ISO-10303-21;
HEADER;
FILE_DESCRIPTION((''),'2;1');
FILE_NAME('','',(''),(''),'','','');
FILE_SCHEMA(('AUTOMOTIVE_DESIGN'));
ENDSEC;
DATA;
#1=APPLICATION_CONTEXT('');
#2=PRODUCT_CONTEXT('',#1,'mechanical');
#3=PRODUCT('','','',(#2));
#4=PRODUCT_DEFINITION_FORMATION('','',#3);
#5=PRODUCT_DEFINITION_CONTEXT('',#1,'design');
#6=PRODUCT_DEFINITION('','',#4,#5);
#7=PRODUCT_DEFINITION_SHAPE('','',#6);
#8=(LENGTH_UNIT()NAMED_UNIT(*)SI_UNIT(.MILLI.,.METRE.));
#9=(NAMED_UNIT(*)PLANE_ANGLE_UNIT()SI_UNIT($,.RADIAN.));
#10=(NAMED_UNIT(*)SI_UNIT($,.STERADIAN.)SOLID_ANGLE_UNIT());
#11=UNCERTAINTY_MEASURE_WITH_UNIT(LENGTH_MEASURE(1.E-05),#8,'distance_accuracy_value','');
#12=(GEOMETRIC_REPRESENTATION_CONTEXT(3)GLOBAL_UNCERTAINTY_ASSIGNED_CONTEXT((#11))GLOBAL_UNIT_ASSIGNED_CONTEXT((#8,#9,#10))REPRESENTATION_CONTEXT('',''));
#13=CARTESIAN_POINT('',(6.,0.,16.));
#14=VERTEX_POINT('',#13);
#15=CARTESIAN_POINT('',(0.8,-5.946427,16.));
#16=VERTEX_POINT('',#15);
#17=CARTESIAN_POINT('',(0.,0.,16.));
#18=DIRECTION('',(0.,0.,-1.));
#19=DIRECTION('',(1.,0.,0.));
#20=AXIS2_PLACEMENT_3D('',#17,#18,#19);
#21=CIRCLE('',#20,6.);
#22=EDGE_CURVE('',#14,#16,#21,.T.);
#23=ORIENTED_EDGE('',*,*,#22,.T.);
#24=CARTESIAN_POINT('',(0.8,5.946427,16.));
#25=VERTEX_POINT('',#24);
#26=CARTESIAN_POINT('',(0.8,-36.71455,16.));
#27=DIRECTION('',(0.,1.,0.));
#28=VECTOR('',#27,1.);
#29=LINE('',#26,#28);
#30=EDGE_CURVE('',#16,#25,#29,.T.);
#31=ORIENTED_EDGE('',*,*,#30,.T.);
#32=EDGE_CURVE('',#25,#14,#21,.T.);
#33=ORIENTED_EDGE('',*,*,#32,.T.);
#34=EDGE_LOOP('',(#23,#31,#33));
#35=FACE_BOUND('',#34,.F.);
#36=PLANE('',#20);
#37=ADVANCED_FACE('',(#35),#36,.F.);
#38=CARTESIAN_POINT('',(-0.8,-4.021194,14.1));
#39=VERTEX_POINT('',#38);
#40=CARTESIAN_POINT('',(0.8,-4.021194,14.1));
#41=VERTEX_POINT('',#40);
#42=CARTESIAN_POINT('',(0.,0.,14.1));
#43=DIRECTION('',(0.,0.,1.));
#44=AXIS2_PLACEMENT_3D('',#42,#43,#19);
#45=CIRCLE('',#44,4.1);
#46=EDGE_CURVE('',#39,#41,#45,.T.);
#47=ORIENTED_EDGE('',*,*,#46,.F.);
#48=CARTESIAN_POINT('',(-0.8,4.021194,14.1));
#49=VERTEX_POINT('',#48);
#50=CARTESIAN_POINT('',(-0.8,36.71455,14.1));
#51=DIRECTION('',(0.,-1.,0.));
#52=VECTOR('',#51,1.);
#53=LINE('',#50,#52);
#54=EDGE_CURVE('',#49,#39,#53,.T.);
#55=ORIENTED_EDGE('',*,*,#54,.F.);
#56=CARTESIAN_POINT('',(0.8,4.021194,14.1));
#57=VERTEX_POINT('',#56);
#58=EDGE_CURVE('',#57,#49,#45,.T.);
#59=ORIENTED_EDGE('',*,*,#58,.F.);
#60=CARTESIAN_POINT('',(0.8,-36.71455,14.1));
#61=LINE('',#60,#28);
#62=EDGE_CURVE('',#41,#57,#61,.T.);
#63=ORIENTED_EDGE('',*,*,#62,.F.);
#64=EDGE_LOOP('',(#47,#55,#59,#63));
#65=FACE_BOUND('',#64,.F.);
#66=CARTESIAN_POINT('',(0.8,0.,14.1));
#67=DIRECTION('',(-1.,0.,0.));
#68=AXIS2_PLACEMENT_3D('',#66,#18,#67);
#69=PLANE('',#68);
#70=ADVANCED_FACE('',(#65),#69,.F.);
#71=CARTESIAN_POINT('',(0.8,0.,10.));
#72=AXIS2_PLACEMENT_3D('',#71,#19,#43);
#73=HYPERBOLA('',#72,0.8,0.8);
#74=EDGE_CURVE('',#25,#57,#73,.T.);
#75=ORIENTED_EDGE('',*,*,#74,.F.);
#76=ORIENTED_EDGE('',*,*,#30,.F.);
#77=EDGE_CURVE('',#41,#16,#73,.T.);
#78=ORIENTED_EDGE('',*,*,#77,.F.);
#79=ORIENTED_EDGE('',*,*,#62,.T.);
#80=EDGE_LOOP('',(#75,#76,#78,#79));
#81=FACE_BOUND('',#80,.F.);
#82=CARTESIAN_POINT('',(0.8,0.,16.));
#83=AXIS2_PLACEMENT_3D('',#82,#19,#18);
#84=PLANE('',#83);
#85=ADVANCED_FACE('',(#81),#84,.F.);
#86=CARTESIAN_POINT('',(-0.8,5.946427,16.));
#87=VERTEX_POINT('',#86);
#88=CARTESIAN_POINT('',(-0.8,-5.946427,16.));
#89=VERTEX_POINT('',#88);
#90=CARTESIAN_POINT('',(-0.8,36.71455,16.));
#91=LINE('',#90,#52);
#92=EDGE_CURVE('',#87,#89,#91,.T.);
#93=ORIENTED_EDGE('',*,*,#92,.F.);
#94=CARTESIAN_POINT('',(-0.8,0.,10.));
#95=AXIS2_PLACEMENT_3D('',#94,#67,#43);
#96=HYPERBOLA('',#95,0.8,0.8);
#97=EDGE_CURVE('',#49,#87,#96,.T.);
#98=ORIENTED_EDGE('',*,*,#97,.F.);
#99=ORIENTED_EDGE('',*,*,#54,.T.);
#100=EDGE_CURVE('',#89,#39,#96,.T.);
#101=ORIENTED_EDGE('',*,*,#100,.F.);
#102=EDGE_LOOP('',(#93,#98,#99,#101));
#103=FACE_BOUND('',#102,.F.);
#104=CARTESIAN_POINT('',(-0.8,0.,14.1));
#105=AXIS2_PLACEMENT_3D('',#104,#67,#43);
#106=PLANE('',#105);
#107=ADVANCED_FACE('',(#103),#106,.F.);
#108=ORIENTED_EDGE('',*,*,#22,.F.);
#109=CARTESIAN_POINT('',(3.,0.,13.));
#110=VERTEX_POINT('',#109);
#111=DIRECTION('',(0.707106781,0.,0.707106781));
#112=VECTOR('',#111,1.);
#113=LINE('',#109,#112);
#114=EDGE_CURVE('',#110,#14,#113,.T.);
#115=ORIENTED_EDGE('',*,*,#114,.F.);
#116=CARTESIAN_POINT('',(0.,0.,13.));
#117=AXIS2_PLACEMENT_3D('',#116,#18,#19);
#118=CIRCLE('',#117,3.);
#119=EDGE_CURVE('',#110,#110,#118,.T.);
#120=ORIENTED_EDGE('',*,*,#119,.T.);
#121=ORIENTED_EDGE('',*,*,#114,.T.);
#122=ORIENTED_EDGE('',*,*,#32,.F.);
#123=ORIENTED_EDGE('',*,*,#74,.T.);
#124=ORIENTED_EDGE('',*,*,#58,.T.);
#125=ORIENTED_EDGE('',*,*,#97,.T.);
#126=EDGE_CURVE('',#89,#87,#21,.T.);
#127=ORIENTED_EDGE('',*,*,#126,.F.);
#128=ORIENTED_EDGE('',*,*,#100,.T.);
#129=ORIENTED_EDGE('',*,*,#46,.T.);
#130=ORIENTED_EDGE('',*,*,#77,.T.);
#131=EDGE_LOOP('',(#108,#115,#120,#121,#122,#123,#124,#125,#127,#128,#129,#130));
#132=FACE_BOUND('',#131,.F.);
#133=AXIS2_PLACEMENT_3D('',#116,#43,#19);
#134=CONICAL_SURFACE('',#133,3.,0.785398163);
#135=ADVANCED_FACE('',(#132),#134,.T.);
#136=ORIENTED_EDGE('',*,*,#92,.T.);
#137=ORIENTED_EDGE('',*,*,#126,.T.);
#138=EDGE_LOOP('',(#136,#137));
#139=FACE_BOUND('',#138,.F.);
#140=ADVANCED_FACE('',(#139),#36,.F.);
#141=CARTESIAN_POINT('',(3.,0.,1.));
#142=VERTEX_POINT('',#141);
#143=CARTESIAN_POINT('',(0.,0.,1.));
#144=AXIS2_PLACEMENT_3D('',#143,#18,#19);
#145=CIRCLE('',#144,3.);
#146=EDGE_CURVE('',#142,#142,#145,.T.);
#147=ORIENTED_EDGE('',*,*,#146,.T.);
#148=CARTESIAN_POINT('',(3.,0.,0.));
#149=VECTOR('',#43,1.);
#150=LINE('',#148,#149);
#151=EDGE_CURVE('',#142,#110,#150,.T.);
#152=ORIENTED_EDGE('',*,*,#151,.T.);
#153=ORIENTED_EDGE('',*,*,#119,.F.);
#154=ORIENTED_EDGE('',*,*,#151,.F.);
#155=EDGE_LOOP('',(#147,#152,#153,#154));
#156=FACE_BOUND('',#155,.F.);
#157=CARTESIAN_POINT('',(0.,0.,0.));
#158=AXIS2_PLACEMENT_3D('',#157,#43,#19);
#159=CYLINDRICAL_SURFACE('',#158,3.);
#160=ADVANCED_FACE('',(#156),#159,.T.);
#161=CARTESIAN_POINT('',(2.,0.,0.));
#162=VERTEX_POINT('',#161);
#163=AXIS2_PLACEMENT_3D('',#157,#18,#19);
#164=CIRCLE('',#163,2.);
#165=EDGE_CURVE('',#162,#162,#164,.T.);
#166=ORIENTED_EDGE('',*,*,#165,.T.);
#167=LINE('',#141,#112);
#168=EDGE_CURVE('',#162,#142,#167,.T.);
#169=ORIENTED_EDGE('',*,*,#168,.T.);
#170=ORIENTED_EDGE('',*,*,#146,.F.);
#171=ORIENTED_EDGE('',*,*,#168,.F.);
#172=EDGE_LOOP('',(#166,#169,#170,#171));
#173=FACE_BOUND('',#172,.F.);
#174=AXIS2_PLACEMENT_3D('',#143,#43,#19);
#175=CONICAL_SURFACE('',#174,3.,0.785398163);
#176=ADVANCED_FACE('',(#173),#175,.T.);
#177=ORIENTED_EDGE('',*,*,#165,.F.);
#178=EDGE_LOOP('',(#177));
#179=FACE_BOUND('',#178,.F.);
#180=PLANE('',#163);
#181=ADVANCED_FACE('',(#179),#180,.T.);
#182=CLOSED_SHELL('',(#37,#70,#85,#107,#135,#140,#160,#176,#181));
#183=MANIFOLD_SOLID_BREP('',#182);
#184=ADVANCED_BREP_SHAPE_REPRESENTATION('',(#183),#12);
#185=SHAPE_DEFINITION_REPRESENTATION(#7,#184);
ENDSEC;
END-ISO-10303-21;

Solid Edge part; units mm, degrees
sketch "Sketch1" plane through (0, 0, 0) normal (0, -1, 0) x (1, 0, 0)
  line L0 (0, 0) -> (3, 0)
  line L1 (3, 0) -> (3, 13)
  line L2 (3, 13) -> (6, 16)
  line L3 (6, 16) -> (0, 16)
  line L4 (0, 16) -> (0, 0)
  dimension "D1" = 13
  dimension "D2" = 16
revolve "RevolvedProtrusion1" add sketch "Sketch1" angle 360 about axis through (0, 0, 54) along (0, 0, -1)
cosmetic_thread "Thread1" size "M6"
sketch "Sketch2" plane through (0, 0, 0) normal (0, -1, 0) x (1, 0, 0)
  line L0 (-0.8, 16) -> (0.8, 16)
  line L1 (0.8, 16) -> (0.8, 14.1)
  line L2 (0.8, 14.1) -> (-0.8, 14.1)
  line L3 (-0.8, 14.1) -> (-0.8, 16)
  dimension "D1" = 1.6
  dimension "D2" = 1.9
extrude "Cutout1" cut sketch "Sketch2" along normal mid plane 73.4291
chamfer "Chamfer_1" distance 1 angle 45 1 edges at (-3, 0, 0)
properties part number "4" material "Fe 410 W"
